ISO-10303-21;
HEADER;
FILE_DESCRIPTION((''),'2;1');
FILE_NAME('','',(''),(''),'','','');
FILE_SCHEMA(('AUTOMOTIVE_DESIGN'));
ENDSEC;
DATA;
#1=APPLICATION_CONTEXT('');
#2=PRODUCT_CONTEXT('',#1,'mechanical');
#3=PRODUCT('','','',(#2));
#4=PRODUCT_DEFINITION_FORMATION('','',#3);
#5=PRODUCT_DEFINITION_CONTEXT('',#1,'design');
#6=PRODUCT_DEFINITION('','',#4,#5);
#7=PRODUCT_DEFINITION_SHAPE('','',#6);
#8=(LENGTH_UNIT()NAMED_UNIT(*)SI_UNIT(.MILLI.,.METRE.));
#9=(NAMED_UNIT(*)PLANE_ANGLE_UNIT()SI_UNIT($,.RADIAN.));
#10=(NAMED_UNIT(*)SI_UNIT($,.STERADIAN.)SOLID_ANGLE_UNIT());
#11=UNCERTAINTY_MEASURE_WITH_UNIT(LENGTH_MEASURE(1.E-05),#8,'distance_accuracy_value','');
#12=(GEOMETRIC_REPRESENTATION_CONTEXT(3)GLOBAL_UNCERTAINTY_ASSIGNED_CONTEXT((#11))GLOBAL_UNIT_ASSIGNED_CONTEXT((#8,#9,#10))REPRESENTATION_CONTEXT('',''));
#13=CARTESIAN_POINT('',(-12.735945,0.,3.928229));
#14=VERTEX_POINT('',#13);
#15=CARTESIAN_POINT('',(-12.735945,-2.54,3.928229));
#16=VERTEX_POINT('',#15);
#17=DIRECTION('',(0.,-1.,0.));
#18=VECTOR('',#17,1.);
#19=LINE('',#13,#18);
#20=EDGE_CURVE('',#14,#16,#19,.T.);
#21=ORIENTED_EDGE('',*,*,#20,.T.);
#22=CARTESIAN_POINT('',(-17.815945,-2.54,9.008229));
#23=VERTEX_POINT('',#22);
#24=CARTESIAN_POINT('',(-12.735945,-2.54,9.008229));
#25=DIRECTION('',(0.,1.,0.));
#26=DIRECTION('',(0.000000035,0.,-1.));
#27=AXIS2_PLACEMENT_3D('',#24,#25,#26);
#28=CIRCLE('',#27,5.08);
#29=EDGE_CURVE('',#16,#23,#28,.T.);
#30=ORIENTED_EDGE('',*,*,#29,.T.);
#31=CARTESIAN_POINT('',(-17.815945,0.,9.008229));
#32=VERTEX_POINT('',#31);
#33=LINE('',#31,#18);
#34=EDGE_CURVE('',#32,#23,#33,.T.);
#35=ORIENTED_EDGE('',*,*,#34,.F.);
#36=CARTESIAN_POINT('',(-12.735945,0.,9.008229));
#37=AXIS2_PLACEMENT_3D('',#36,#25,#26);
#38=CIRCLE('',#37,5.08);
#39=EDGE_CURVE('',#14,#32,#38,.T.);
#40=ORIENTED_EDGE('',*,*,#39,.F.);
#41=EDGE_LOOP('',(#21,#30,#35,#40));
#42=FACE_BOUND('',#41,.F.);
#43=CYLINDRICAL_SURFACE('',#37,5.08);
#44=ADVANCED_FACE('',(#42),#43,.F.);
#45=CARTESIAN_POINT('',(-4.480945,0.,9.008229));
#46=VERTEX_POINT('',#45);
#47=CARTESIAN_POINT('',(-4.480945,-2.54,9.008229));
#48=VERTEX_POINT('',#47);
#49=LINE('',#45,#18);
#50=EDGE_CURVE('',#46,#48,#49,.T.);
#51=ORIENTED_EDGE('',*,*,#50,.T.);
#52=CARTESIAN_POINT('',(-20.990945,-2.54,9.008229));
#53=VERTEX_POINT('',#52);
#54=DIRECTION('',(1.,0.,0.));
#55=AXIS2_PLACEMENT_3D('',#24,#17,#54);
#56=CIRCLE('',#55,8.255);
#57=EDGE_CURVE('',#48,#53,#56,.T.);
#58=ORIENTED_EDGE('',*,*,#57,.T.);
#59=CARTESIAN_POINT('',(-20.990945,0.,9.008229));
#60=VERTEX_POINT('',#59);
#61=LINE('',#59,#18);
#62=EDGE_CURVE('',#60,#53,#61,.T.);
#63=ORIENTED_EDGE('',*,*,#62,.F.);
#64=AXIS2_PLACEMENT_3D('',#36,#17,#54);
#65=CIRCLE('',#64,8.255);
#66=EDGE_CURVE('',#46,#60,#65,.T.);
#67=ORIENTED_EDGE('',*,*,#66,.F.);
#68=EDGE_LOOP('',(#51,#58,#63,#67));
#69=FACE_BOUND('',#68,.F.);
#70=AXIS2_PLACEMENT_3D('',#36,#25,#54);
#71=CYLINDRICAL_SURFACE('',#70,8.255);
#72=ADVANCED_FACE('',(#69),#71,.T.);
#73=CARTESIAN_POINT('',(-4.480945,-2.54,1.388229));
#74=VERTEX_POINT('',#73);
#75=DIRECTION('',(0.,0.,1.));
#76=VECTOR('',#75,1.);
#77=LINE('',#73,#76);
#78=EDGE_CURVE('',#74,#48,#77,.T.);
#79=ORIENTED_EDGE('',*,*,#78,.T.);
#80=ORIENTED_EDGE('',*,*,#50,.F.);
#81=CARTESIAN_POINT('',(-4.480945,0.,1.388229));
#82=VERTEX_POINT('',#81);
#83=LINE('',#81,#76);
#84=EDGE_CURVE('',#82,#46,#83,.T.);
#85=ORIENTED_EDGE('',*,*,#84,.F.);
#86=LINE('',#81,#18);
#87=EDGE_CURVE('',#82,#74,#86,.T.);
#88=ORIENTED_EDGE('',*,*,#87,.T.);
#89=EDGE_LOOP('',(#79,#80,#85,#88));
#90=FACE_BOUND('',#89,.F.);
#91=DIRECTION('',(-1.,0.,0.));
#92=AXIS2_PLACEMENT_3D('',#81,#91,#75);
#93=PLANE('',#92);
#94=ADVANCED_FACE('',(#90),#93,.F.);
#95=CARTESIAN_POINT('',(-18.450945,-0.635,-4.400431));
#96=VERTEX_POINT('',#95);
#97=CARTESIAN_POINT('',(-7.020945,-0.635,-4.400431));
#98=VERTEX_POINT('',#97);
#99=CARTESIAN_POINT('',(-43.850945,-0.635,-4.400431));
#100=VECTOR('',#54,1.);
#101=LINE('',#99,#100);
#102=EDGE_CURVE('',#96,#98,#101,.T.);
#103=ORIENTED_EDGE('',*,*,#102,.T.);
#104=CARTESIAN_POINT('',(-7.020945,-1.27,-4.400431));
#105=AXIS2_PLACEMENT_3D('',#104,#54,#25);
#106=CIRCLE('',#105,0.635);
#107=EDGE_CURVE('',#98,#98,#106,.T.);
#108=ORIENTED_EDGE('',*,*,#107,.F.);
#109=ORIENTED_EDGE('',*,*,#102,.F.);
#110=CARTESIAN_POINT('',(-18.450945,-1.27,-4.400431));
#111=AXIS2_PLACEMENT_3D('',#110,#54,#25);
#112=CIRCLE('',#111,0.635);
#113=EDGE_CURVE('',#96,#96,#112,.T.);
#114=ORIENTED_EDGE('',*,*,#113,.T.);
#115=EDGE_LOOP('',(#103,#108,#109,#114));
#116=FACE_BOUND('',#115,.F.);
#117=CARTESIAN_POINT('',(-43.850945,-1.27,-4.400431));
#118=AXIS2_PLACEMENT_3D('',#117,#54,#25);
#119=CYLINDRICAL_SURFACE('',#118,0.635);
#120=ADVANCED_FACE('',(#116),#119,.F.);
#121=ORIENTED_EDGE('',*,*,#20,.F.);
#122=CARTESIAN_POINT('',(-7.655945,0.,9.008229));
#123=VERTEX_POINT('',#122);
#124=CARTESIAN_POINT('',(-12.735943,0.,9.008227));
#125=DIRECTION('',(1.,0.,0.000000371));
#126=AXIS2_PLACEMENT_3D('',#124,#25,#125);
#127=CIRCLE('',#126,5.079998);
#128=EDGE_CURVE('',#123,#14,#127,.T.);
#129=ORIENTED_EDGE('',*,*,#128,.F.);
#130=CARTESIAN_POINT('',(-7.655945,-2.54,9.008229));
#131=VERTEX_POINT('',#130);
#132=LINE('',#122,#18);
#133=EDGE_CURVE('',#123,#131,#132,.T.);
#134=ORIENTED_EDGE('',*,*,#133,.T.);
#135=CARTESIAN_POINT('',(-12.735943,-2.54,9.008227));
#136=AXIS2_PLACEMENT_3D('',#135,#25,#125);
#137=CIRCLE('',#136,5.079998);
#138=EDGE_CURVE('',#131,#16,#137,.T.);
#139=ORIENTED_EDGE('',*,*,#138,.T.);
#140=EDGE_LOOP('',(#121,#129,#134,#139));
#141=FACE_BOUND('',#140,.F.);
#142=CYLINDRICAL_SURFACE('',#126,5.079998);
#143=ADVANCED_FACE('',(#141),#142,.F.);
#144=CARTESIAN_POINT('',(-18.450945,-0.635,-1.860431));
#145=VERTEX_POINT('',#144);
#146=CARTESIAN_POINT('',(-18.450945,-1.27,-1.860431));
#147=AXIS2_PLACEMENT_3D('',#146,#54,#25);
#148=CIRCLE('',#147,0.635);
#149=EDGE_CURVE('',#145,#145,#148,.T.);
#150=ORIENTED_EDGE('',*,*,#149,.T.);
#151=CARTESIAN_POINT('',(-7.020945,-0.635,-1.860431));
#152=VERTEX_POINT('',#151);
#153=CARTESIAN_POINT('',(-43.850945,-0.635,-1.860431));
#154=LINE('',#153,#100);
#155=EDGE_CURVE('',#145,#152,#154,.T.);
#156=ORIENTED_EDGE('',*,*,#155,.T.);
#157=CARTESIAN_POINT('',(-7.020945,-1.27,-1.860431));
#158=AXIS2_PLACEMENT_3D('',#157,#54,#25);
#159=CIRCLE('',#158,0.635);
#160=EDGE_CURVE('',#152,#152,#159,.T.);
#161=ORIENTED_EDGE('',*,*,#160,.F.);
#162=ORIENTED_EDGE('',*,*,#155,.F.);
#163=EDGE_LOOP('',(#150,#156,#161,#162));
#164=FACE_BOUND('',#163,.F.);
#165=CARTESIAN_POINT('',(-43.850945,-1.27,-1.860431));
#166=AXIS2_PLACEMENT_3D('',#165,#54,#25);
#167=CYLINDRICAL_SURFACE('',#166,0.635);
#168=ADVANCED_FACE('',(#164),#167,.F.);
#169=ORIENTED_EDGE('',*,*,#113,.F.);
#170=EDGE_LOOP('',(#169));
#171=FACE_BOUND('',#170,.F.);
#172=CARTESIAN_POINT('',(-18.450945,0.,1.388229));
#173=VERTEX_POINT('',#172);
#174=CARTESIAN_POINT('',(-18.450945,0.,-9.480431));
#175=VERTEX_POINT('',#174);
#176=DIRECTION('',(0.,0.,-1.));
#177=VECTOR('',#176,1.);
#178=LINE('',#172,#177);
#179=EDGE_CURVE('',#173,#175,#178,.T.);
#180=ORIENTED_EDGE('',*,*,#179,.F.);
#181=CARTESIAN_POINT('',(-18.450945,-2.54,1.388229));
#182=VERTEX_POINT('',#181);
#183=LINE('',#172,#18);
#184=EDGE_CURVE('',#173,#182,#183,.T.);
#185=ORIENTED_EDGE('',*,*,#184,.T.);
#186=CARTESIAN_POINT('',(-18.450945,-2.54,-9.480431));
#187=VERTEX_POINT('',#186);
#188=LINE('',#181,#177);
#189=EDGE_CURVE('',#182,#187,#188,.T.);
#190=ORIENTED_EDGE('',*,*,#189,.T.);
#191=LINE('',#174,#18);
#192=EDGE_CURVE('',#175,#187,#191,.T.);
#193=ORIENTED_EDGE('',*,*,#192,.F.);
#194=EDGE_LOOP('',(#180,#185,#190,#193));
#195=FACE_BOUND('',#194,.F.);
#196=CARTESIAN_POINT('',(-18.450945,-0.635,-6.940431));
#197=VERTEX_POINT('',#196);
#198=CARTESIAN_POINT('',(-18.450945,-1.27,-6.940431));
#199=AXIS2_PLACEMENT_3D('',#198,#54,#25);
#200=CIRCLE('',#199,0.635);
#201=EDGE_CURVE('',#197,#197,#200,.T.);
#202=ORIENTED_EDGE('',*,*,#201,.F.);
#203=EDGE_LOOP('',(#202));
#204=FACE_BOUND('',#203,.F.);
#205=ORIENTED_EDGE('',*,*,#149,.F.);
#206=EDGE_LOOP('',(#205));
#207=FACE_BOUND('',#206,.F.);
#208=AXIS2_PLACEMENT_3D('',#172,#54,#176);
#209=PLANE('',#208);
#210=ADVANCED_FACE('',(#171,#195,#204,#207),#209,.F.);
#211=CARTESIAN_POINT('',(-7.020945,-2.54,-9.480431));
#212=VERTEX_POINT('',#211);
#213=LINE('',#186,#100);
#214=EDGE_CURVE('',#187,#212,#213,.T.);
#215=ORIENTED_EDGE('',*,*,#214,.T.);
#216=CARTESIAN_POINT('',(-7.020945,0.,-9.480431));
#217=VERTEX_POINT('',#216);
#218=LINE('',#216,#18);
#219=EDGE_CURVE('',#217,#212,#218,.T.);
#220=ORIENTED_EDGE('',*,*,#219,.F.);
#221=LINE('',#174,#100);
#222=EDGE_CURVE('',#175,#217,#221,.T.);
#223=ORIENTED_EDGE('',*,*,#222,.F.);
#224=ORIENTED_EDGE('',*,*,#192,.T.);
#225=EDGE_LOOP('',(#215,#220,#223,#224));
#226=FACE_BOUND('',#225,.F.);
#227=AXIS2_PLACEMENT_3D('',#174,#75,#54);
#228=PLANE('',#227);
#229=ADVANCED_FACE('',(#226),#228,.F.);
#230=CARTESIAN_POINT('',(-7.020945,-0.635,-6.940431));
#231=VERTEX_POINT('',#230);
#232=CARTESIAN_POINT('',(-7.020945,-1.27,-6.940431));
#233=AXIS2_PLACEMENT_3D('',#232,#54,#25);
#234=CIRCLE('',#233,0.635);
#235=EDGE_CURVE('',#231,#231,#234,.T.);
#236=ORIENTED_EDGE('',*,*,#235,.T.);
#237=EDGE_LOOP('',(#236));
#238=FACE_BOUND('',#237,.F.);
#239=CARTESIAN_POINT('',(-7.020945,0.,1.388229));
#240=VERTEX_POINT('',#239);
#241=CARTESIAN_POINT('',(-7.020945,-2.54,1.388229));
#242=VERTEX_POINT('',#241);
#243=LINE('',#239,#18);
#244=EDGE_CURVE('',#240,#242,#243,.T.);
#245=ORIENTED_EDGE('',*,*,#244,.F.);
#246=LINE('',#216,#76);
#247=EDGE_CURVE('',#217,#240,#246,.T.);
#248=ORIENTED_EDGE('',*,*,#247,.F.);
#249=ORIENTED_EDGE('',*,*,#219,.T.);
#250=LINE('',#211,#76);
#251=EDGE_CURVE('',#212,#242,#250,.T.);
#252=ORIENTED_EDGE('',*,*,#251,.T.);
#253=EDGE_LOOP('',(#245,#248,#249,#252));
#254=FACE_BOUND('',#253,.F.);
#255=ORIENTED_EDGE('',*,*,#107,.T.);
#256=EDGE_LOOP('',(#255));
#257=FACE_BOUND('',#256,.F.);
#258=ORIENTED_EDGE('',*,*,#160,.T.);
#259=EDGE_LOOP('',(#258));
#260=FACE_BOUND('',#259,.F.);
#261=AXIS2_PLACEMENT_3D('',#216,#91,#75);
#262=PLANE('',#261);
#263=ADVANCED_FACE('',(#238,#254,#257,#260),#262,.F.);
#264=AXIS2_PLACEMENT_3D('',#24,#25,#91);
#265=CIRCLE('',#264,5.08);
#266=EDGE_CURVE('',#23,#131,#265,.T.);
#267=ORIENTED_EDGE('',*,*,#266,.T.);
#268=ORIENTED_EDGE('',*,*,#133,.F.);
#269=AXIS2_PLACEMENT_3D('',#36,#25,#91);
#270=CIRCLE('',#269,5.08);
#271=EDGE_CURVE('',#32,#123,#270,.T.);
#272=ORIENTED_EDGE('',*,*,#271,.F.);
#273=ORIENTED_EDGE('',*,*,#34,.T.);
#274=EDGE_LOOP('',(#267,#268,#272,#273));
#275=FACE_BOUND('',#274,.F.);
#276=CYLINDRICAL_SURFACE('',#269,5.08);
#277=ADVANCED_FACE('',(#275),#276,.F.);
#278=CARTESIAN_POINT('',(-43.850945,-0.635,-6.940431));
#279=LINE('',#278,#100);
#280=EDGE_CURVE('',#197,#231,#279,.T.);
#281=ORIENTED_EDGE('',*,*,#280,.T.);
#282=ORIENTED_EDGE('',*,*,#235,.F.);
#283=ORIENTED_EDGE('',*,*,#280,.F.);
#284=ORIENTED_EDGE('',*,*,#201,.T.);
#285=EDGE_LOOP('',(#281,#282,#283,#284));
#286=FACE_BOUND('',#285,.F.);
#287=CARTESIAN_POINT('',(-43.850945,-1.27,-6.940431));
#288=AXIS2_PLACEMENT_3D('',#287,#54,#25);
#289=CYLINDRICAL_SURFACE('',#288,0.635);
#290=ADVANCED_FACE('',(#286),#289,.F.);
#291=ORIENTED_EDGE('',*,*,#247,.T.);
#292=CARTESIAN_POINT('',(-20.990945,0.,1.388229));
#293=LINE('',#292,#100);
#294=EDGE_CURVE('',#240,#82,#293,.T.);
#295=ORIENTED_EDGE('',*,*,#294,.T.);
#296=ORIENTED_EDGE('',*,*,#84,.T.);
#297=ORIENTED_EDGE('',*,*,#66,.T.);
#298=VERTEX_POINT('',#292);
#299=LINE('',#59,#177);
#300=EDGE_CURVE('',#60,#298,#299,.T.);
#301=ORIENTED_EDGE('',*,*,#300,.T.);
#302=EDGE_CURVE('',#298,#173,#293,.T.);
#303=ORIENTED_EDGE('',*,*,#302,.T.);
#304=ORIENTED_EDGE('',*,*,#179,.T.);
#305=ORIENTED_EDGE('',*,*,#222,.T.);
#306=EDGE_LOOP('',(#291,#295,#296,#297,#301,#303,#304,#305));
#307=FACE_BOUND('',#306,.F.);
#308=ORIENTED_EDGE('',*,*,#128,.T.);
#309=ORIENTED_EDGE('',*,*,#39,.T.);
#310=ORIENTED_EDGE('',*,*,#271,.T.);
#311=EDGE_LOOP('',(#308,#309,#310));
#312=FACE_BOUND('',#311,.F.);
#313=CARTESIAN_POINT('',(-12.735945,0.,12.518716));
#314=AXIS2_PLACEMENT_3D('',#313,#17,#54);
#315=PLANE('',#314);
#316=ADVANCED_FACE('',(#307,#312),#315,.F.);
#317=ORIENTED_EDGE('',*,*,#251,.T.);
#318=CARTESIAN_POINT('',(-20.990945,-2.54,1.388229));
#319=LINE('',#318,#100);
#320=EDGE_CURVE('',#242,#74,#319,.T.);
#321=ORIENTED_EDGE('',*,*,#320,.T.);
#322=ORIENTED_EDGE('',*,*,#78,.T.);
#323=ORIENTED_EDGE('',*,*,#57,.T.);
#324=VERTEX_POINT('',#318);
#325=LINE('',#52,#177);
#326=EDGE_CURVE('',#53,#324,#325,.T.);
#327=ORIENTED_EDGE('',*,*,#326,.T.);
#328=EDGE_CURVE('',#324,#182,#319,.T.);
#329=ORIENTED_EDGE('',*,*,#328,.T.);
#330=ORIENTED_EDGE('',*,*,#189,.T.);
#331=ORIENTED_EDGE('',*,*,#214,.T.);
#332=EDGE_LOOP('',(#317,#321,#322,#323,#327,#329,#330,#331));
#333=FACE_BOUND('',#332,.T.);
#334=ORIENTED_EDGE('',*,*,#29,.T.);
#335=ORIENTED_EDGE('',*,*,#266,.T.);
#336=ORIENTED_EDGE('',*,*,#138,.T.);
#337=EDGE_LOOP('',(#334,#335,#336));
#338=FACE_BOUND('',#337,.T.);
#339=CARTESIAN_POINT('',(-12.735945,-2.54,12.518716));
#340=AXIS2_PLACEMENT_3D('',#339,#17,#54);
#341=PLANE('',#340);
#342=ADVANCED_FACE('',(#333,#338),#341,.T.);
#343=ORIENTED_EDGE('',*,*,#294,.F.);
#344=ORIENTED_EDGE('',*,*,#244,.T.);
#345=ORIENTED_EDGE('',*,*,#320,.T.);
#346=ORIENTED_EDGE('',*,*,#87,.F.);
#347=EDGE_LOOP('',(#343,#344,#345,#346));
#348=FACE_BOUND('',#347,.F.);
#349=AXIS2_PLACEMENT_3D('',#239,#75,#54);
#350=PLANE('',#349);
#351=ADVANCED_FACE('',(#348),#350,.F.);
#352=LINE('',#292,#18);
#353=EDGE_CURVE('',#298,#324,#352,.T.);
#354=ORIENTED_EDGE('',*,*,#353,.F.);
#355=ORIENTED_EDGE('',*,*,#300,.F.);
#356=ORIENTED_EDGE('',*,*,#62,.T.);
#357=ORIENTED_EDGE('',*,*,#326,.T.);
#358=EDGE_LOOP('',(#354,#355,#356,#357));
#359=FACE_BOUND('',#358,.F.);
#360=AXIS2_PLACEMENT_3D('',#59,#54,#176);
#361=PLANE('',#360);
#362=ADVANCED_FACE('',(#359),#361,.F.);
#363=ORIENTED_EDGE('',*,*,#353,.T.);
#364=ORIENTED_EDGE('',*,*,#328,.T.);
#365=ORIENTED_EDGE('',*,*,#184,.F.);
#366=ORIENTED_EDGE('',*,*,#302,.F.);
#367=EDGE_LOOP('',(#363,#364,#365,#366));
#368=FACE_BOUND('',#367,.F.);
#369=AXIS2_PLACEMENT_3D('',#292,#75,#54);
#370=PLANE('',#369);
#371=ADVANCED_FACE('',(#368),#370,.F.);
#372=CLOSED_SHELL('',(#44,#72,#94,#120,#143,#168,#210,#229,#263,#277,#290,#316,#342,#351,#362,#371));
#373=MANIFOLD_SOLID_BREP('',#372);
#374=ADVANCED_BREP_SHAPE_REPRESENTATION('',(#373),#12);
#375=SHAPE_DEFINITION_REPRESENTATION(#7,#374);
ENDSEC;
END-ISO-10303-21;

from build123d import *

# Parameters (mm, degrees)
F1_DEPTH = 2.54
F3_D     = 1.27
F3_DEPTH = 25.4


with BuildPart() as f1:
    # F0 (on Front) → F1 (new body)
    with BuildSketch(Plane.XZ):
        with BuildLine():
            ThreePointArc((-17.815945, 9.008229), (-12.735945, 14.088229), (-7.655945, 9.008229))
            Line((-7.655945, 9.008229), (-7.020945, 9.008229))
            Line((-7.020945, 9.008229), (-4.480945, 9.008229))
            ThreePointArc((-4.480945, 9.008229), (-12.735945, 17.263229), (-20.990945, 9.008229))
            Line((-20.990945, 9.008229), (-18.450945, 9.008229))
            Line((-18.450945, 9.008229), (-17.815945, 9.008229))
        make_face()
        with BuildLine():
            Line((-7.020945, 9.008229), (-7.655945, 9.008229))
            ThreePointArc((-7.655945, 9.008229), (-9.143842, 5.416126), (-12.735945, 3.928229))
            Line((-12.735945, 3.928229), (-12.735945, 1.388229))
            Line((-12.735945, 1.388229), (-7.1747, 1.388229))
            Line((-7.1747, 1.388229), (-7.020945, 1.388229))
            Line((-7.020945, 1.388229), (-4.480945, 1.388229))
            Line((-4.480945, 1.388229), (-4.480945, 9.008229))
            Line((-4.480945, 9.008229), (-7.020945, 9.008229))
        make_face()
        with BuildLine():
            ThreePointArc((-12.735945, 3.928229), (-16.328047, 5.416126), (-17.815945, 9.008229))
            Line((-17.815945, 9.008229), (-18.450945, 9.008229))
            Line((-18.450945, 9.008229), (-20.990945, 9.008229))
            Line((-20.990945, 9.008229), (-20.990945, 1.388229))
            Line((-20.990945, 1.388229), (-18.450945, 1.388229))
            Line((-18.450945, 1.388229), (-17.180945, 1.388229))
            Line((-17.180945, 1.388229), (-12.735945, 1.388229))
            Line((-12.735945, 1.388229), (-12.735945, 3.928229))
        make_face()
        Polygon((-12.735945, -1.860431), (-12.735945, 1.388229), (-17.180945, 1.388229), (-18.450945, 1.388229), (-18.450945, -9.480431), (-12.735945, -9.480431), align=None)
        Polygon((-7.1747, 1.388229), (-12.735945, 1.388229), (-12.735945, -1.860431), (-12.735945, -9.480431), (-7.020945, -9.480431), (-7.020945, 1.388229), align=None)
    extrude(amount=F1_DEPTH)

    # F3
    with Locations(Plane(origin=(-18.450945, 0, 0), x_dir=(0, -1, 0), z_dir=(-1, 0, 0))):
        with Locations((1.27, -1.860431), (1.27, -4.400431), (1.27, -6.940431)):
            Hole(F3_D / 2, depth=F3_DEPTH)


solid = f1.part
